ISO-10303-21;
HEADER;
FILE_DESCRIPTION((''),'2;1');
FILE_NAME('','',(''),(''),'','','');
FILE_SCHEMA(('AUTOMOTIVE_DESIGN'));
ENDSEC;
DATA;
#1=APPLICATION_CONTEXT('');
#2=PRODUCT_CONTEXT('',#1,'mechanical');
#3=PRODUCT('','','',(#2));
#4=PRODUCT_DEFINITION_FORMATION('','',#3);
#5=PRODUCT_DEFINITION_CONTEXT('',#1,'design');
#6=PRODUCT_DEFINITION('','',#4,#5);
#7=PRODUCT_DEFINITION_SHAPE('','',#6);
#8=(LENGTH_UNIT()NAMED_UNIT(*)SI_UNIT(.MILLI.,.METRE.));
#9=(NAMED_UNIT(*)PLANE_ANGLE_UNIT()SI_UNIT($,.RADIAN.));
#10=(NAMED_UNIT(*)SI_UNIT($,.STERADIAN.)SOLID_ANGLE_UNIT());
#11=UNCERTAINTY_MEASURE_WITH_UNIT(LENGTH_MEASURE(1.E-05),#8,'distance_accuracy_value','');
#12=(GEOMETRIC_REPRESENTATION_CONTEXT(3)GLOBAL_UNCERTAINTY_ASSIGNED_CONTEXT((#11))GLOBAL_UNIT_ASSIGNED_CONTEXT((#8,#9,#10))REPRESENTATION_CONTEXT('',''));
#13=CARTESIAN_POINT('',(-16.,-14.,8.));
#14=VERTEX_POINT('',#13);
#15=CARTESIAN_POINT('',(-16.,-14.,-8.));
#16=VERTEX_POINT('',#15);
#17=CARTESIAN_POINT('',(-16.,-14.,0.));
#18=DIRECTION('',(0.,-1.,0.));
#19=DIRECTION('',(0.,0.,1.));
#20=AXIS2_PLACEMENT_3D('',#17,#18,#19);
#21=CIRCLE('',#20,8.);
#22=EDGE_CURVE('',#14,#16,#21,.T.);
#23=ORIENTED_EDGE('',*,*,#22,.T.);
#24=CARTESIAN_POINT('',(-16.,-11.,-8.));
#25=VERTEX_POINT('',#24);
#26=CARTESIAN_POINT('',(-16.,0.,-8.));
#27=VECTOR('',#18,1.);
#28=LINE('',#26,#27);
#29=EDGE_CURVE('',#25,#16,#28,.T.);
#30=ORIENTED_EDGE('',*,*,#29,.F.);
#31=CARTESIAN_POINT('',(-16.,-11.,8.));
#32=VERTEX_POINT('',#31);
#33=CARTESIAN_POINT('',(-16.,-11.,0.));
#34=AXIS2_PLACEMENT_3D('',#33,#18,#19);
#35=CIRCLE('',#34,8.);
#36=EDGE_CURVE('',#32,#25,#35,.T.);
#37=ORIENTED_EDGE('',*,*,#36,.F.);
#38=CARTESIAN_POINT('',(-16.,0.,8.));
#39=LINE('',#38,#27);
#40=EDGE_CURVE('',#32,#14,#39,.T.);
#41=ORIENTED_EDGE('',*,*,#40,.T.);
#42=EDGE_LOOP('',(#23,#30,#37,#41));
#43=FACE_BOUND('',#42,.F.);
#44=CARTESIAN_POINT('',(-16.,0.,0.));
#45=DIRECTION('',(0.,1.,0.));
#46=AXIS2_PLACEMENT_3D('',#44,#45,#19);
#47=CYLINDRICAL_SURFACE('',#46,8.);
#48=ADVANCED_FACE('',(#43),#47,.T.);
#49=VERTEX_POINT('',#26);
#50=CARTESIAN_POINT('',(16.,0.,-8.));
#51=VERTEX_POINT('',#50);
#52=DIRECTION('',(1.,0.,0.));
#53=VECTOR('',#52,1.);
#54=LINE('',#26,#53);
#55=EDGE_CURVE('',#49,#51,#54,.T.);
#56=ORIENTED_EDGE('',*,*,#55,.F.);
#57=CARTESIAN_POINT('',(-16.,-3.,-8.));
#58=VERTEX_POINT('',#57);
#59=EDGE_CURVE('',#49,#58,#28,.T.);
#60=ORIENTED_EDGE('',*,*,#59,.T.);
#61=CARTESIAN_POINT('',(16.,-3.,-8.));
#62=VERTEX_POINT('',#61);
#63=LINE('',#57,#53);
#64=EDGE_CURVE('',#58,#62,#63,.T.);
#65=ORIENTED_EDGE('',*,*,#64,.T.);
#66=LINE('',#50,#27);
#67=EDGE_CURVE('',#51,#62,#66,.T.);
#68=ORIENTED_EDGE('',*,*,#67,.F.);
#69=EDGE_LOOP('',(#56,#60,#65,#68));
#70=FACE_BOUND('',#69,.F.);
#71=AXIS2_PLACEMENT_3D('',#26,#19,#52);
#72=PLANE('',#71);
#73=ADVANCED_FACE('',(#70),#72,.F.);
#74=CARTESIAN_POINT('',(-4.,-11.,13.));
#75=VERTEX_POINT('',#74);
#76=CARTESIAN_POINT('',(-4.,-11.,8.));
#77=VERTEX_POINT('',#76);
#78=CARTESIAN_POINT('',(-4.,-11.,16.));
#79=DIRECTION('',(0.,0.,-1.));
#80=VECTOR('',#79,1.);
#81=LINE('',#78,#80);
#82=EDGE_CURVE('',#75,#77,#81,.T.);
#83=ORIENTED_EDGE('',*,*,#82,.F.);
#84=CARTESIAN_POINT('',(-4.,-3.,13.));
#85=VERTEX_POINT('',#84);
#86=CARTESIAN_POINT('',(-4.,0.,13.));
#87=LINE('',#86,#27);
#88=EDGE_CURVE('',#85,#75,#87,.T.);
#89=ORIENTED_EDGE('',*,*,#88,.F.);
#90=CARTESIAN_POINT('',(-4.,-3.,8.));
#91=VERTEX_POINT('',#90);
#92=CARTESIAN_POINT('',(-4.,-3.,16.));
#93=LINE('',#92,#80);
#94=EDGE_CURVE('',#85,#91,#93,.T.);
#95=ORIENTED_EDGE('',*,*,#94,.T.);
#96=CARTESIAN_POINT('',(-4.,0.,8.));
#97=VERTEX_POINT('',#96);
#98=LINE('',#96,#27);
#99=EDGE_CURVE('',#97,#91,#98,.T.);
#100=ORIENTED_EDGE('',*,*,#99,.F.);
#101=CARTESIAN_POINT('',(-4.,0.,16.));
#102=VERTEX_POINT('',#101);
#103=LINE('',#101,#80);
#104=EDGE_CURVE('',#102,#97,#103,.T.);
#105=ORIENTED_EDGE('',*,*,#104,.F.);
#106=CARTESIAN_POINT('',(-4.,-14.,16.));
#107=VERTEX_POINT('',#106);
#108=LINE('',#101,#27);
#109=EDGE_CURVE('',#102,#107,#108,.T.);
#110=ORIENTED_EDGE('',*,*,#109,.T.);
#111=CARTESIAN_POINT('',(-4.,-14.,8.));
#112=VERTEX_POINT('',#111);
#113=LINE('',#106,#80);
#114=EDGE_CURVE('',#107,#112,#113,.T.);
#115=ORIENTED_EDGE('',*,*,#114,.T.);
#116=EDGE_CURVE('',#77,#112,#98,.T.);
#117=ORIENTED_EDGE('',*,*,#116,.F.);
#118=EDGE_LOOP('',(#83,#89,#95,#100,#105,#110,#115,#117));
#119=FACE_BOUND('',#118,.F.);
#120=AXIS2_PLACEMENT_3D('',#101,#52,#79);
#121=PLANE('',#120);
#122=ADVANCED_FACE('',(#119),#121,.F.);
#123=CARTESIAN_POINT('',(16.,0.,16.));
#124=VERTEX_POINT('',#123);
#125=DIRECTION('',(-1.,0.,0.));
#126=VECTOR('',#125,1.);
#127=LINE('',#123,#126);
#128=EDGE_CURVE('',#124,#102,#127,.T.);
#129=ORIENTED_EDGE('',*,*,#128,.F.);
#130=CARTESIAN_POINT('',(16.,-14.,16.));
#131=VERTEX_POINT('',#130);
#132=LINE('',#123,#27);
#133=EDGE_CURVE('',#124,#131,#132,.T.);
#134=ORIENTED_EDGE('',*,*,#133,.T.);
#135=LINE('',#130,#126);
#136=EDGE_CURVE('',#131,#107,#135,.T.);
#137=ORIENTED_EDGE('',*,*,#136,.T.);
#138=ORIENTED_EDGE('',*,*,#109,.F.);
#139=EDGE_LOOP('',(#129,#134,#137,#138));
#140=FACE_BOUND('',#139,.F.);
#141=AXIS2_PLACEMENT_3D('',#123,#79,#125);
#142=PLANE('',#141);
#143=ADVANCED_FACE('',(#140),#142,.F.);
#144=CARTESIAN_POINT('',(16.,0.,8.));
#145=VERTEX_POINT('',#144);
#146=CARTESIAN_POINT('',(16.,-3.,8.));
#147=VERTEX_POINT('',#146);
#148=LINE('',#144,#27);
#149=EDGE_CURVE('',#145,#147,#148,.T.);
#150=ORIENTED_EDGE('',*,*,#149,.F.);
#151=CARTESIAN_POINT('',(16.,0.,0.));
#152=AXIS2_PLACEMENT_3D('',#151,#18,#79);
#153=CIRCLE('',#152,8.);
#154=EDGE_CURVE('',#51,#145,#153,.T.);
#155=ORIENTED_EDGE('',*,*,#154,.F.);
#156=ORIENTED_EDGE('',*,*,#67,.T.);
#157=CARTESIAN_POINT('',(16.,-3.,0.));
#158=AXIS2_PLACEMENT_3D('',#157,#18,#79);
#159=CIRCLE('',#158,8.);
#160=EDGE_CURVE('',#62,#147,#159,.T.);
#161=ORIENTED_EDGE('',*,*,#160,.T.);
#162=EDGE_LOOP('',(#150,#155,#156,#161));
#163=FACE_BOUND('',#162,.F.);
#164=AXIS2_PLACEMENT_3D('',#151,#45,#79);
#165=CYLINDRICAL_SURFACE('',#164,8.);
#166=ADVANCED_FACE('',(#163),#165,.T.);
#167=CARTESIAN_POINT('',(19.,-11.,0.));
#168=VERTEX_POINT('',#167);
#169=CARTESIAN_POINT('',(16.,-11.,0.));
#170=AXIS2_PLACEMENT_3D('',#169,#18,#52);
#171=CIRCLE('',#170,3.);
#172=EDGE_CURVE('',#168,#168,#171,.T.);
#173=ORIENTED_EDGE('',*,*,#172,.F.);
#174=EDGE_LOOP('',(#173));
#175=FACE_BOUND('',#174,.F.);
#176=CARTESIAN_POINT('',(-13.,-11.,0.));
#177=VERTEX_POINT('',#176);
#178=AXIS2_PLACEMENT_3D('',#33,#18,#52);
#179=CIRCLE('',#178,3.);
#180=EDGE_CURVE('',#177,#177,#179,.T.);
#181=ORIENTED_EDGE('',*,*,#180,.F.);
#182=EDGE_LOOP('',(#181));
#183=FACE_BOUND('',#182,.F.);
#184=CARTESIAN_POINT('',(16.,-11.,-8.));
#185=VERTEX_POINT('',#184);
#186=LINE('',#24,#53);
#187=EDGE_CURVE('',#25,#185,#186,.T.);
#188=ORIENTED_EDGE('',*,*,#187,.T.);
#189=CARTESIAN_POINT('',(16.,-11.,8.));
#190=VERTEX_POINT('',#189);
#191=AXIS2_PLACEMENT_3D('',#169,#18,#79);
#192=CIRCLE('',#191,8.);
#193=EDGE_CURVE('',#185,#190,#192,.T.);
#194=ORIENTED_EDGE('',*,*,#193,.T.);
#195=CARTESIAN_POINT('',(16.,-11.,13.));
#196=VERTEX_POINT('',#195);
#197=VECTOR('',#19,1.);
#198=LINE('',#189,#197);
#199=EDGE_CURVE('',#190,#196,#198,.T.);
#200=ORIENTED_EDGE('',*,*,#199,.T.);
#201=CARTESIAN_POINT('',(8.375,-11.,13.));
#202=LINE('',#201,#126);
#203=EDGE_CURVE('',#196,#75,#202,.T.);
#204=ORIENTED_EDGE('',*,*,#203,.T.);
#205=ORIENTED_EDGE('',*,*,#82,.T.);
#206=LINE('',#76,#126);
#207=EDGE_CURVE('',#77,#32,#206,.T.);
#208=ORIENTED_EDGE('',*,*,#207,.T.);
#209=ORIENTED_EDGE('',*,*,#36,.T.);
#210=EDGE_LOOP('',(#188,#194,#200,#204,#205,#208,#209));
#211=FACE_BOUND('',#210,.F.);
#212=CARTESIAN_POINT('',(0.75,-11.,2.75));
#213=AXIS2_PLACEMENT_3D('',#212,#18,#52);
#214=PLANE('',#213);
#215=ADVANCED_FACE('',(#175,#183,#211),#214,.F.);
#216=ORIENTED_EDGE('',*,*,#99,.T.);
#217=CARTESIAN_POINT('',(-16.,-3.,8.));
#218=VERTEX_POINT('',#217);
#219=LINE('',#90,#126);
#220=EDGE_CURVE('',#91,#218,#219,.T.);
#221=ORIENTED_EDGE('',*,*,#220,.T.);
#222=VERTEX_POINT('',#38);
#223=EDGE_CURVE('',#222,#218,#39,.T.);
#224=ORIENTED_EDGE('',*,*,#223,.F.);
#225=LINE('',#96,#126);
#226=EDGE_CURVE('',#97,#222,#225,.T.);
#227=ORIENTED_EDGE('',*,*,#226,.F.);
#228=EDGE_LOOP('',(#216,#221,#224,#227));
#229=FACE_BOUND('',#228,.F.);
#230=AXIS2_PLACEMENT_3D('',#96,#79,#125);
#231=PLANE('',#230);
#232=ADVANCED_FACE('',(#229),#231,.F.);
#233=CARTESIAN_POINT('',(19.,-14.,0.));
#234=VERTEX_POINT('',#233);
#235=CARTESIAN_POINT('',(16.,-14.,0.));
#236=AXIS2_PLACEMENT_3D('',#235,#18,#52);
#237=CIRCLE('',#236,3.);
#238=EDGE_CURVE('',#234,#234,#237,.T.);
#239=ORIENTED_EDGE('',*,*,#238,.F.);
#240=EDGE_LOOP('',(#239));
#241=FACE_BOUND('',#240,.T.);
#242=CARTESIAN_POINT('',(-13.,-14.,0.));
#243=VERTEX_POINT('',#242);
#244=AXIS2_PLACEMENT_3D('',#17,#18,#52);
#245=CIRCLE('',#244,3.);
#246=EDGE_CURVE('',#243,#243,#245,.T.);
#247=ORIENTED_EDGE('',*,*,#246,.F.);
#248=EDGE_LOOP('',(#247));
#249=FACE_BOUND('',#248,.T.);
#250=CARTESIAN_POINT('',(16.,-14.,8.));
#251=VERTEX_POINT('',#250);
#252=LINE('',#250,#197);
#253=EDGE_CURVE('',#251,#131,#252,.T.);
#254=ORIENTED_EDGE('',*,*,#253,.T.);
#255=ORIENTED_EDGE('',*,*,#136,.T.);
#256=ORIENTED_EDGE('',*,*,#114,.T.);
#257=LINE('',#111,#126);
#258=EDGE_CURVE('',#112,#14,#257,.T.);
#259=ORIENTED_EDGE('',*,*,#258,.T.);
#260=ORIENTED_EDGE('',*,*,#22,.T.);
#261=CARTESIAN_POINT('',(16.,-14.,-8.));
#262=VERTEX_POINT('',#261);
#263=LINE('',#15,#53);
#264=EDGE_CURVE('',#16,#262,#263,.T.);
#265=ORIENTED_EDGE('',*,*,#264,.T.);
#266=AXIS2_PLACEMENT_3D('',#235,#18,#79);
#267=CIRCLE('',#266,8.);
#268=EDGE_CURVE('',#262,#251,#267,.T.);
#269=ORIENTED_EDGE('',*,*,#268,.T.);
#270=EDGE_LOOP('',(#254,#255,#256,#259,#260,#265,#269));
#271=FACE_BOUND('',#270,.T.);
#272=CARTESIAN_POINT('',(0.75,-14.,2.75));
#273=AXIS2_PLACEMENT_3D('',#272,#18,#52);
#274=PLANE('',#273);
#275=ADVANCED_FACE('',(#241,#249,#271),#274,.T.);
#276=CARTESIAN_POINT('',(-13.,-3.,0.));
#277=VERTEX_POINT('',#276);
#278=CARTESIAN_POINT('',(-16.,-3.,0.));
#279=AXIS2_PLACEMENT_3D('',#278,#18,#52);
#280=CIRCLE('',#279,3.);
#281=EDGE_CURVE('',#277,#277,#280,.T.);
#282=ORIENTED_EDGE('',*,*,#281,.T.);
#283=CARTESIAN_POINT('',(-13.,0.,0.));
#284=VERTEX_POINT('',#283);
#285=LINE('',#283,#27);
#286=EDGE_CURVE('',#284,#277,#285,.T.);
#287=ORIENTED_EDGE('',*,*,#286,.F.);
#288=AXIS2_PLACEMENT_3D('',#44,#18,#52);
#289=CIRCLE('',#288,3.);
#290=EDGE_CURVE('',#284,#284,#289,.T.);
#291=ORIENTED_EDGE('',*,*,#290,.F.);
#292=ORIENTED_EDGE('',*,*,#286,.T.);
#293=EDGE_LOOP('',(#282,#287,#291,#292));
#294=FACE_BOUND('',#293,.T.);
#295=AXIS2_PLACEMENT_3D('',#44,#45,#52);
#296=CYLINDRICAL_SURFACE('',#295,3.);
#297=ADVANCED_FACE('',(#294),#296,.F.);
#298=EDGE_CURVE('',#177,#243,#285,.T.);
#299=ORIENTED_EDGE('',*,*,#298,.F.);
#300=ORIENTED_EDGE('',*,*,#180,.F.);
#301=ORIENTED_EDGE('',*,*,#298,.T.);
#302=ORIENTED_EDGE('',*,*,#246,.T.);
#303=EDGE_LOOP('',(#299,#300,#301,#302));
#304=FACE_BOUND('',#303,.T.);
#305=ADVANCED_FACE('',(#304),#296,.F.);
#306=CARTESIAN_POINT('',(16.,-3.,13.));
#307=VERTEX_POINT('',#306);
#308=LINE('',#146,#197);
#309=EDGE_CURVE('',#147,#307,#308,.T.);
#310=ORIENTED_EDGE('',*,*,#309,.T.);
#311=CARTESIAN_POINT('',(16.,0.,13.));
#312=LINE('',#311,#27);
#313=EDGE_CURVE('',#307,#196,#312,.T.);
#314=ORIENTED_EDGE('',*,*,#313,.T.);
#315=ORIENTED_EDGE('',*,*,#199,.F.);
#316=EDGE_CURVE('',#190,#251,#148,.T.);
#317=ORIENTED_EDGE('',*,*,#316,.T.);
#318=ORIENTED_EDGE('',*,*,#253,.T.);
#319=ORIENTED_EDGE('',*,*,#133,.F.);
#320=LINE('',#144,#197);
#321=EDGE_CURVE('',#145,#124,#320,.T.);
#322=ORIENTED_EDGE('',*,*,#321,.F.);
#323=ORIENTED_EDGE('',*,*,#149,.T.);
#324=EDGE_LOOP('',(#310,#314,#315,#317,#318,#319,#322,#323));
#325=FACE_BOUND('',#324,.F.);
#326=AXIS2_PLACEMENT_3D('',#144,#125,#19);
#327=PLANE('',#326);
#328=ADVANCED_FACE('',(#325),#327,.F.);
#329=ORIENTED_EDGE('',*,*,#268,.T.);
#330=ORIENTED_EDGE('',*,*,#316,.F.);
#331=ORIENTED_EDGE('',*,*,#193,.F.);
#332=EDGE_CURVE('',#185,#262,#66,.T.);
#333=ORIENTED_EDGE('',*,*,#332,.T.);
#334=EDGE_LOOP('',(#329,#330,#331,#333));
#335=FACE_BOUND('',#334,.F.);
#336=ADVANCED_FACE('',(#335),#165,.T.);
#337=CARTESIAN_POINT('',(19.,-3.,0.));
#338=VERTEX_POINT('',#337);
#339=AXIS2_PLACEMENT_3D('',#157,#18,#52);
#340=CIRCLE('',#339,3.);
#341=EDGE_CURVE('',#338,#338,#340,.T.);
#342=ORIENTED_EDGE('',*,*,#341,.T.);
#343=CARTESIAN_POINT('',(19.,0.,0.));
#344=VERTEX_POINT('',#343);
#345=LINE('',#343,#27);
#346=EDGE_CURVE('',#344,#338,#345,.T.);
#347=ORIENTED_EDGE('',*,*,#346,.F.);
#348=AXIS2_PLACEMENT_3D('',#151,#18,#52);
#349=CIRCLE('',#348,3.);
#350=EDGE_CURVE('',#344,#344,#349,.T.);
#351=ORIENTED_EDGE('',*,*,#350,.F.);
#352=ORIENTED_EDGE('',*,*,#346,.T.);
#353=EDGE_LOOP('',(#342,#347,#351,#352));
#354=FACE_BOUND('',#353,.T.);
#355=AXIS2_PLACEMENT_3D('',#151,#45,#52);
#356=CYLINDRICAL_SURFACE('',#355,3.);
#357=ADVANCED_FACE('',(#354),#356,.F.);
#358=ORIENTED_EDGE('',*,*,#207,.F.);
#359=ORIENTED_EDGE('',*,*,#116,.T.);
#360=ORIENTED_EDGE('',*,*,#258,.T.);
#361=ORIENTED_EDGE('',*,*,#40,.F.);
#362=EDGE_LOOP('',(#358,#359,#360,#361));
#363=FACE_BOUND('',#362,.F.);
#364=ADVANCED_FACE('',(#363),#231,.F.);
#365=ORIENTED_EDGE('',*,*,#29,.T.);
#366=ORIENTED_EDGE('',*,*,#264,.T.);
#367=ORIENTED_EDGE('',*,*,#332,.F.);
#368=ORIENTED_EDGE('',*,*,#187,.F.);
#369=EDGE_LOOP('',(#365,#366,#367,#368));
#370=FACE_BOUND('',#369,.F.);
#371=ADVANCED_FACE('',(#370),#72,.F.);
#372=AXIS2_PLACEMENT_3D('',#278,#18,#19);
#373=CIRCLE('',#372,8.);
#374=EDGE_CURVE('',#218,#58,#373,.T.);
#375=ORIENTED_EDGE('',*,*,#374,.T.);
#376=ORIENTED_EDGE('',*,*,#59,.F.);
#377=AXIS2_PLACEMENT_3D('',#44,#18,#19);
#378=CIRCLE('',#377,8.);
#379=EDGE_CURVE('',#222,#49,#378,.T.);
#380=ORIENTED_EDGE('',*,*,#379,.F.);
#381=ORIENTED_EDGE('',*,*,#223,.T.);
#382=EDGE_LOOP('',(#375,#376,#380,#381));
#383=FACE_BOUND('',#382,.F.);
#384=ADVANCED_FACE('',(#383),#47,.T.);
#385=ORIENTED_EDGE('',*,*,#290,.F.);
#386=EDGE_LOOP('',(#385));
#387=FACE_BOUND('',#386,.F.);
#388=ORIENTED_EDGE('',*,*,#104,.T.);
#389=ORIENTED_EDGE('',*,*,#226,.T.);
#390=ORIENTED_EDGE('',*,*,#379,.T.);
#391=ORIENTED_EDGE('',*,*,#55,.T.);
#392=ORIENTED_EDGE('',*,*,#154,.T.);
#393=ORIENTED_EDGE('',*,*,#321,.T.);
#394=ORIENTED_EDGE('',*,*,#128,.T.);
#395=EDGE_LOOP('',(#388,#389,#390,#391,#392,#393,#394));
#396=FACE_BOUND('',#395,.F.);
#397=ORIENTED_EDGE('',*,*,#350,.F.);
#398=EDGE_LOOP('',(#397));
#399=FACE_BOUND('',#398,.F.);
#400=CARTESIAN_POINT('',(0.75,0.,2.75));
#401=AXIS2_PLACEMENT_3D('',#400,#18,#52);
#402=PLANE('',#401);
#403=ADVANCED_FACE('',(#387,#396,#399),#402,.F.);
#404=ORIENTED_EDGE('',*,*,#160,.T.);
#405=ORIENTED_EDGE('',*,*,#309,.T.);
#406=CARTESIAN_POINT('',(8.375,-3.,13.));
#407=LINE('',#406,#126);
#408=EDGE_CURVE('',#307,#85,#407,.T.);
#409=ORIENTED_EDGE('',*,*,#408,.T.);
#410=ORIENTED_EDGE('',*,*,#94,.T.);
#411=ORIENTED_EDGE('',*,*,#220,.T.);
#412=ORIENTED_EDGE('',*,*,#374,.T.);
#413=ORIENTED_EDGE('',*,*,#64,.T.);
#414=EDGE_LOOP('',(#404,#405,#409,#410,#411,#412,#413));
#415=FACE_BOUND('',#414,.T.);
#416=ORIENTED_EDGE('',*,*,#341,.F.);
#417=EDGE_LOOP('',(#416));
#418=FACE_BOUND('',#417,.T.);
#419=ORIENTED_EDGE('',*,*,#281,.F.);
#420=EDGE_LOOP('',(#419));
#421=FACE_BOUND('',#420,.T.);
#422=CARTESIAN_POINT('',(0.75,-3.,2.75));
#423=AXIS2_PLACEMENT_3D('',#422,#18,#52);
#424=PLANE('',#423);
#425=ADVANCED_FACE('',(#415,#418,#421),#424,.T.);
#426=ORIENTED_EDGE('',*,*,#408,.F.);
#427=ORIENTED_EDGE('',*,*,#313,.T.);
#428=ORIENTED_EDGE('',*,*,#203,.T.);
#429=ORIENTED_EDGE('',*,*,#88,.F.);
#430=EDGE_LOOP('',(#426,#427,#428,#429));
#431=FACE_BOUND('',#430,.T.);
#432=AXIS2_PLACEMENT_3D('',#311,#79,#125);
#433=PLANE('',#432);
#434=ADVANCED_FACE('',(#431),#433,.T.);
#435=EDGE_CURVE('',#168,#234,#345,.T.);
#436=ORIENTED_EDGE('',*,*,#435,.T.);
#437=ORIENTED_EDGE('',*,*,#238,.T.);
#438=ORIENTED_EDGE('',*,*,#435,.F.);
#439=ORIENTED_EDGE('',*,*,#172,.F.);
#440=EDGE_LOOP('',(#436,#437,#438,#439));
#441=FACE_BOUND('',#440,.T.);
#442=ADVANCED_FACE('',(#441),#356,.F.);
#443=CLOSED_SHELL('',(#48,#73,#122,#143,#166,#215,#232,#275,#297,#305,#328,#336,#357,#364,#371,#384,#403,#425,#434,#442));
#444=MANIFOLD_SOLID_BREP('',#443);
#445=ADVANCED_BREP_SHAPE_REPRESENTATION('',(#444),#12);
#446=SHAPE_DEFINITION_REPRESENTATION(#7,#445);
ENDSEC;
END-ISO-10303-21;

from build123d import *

# Parameters (mm, degrees)
F0_R     = 3
F1_DEPTH = 14
F2_T     = -3


with BuildPart() as f1:
    # F0 (on Front) → F1 (new body)
    with BuildSketch(Plane.XZ):
        with BuildLine():
            ThreePointArc((-16, 8), (-24, 0), (-16, -8))
            Line((-16, -8), (16, -8))
            ThreePointArc((16, -8), (24, 0), (16, 8))
            Line((16, 8), (16, 16))
            Line((16, 16), (-4, 16))
            Line((-4, 16), (-4, 8))
            Line((-4, 8), (-16, 8))
        make_face()
        with Locations((-16, 0)):
            Circle(F0_R, mode=Mode.SUBTRACT)
        with Locations((16, 0)):
            Circle(F0_R, mode=Mode.SUBTRACT)
    extrude(amount=F1_DEPTH)

    # F2
    f2_openings = [f1.faces().sort_by_distance(p)[0] for p in [
        (24, -7, 0),
        (16, -7, 12),
        (-4, -7, 12),
        (-24, -7, 0),
        (-10, -7, 8),
        (0, -7, -8),
        (13, -7, 0),
        (-19, -7, 0),
    ]]
    offset(amount=F2_T, openings=f2_openings)


solid = f1.part
